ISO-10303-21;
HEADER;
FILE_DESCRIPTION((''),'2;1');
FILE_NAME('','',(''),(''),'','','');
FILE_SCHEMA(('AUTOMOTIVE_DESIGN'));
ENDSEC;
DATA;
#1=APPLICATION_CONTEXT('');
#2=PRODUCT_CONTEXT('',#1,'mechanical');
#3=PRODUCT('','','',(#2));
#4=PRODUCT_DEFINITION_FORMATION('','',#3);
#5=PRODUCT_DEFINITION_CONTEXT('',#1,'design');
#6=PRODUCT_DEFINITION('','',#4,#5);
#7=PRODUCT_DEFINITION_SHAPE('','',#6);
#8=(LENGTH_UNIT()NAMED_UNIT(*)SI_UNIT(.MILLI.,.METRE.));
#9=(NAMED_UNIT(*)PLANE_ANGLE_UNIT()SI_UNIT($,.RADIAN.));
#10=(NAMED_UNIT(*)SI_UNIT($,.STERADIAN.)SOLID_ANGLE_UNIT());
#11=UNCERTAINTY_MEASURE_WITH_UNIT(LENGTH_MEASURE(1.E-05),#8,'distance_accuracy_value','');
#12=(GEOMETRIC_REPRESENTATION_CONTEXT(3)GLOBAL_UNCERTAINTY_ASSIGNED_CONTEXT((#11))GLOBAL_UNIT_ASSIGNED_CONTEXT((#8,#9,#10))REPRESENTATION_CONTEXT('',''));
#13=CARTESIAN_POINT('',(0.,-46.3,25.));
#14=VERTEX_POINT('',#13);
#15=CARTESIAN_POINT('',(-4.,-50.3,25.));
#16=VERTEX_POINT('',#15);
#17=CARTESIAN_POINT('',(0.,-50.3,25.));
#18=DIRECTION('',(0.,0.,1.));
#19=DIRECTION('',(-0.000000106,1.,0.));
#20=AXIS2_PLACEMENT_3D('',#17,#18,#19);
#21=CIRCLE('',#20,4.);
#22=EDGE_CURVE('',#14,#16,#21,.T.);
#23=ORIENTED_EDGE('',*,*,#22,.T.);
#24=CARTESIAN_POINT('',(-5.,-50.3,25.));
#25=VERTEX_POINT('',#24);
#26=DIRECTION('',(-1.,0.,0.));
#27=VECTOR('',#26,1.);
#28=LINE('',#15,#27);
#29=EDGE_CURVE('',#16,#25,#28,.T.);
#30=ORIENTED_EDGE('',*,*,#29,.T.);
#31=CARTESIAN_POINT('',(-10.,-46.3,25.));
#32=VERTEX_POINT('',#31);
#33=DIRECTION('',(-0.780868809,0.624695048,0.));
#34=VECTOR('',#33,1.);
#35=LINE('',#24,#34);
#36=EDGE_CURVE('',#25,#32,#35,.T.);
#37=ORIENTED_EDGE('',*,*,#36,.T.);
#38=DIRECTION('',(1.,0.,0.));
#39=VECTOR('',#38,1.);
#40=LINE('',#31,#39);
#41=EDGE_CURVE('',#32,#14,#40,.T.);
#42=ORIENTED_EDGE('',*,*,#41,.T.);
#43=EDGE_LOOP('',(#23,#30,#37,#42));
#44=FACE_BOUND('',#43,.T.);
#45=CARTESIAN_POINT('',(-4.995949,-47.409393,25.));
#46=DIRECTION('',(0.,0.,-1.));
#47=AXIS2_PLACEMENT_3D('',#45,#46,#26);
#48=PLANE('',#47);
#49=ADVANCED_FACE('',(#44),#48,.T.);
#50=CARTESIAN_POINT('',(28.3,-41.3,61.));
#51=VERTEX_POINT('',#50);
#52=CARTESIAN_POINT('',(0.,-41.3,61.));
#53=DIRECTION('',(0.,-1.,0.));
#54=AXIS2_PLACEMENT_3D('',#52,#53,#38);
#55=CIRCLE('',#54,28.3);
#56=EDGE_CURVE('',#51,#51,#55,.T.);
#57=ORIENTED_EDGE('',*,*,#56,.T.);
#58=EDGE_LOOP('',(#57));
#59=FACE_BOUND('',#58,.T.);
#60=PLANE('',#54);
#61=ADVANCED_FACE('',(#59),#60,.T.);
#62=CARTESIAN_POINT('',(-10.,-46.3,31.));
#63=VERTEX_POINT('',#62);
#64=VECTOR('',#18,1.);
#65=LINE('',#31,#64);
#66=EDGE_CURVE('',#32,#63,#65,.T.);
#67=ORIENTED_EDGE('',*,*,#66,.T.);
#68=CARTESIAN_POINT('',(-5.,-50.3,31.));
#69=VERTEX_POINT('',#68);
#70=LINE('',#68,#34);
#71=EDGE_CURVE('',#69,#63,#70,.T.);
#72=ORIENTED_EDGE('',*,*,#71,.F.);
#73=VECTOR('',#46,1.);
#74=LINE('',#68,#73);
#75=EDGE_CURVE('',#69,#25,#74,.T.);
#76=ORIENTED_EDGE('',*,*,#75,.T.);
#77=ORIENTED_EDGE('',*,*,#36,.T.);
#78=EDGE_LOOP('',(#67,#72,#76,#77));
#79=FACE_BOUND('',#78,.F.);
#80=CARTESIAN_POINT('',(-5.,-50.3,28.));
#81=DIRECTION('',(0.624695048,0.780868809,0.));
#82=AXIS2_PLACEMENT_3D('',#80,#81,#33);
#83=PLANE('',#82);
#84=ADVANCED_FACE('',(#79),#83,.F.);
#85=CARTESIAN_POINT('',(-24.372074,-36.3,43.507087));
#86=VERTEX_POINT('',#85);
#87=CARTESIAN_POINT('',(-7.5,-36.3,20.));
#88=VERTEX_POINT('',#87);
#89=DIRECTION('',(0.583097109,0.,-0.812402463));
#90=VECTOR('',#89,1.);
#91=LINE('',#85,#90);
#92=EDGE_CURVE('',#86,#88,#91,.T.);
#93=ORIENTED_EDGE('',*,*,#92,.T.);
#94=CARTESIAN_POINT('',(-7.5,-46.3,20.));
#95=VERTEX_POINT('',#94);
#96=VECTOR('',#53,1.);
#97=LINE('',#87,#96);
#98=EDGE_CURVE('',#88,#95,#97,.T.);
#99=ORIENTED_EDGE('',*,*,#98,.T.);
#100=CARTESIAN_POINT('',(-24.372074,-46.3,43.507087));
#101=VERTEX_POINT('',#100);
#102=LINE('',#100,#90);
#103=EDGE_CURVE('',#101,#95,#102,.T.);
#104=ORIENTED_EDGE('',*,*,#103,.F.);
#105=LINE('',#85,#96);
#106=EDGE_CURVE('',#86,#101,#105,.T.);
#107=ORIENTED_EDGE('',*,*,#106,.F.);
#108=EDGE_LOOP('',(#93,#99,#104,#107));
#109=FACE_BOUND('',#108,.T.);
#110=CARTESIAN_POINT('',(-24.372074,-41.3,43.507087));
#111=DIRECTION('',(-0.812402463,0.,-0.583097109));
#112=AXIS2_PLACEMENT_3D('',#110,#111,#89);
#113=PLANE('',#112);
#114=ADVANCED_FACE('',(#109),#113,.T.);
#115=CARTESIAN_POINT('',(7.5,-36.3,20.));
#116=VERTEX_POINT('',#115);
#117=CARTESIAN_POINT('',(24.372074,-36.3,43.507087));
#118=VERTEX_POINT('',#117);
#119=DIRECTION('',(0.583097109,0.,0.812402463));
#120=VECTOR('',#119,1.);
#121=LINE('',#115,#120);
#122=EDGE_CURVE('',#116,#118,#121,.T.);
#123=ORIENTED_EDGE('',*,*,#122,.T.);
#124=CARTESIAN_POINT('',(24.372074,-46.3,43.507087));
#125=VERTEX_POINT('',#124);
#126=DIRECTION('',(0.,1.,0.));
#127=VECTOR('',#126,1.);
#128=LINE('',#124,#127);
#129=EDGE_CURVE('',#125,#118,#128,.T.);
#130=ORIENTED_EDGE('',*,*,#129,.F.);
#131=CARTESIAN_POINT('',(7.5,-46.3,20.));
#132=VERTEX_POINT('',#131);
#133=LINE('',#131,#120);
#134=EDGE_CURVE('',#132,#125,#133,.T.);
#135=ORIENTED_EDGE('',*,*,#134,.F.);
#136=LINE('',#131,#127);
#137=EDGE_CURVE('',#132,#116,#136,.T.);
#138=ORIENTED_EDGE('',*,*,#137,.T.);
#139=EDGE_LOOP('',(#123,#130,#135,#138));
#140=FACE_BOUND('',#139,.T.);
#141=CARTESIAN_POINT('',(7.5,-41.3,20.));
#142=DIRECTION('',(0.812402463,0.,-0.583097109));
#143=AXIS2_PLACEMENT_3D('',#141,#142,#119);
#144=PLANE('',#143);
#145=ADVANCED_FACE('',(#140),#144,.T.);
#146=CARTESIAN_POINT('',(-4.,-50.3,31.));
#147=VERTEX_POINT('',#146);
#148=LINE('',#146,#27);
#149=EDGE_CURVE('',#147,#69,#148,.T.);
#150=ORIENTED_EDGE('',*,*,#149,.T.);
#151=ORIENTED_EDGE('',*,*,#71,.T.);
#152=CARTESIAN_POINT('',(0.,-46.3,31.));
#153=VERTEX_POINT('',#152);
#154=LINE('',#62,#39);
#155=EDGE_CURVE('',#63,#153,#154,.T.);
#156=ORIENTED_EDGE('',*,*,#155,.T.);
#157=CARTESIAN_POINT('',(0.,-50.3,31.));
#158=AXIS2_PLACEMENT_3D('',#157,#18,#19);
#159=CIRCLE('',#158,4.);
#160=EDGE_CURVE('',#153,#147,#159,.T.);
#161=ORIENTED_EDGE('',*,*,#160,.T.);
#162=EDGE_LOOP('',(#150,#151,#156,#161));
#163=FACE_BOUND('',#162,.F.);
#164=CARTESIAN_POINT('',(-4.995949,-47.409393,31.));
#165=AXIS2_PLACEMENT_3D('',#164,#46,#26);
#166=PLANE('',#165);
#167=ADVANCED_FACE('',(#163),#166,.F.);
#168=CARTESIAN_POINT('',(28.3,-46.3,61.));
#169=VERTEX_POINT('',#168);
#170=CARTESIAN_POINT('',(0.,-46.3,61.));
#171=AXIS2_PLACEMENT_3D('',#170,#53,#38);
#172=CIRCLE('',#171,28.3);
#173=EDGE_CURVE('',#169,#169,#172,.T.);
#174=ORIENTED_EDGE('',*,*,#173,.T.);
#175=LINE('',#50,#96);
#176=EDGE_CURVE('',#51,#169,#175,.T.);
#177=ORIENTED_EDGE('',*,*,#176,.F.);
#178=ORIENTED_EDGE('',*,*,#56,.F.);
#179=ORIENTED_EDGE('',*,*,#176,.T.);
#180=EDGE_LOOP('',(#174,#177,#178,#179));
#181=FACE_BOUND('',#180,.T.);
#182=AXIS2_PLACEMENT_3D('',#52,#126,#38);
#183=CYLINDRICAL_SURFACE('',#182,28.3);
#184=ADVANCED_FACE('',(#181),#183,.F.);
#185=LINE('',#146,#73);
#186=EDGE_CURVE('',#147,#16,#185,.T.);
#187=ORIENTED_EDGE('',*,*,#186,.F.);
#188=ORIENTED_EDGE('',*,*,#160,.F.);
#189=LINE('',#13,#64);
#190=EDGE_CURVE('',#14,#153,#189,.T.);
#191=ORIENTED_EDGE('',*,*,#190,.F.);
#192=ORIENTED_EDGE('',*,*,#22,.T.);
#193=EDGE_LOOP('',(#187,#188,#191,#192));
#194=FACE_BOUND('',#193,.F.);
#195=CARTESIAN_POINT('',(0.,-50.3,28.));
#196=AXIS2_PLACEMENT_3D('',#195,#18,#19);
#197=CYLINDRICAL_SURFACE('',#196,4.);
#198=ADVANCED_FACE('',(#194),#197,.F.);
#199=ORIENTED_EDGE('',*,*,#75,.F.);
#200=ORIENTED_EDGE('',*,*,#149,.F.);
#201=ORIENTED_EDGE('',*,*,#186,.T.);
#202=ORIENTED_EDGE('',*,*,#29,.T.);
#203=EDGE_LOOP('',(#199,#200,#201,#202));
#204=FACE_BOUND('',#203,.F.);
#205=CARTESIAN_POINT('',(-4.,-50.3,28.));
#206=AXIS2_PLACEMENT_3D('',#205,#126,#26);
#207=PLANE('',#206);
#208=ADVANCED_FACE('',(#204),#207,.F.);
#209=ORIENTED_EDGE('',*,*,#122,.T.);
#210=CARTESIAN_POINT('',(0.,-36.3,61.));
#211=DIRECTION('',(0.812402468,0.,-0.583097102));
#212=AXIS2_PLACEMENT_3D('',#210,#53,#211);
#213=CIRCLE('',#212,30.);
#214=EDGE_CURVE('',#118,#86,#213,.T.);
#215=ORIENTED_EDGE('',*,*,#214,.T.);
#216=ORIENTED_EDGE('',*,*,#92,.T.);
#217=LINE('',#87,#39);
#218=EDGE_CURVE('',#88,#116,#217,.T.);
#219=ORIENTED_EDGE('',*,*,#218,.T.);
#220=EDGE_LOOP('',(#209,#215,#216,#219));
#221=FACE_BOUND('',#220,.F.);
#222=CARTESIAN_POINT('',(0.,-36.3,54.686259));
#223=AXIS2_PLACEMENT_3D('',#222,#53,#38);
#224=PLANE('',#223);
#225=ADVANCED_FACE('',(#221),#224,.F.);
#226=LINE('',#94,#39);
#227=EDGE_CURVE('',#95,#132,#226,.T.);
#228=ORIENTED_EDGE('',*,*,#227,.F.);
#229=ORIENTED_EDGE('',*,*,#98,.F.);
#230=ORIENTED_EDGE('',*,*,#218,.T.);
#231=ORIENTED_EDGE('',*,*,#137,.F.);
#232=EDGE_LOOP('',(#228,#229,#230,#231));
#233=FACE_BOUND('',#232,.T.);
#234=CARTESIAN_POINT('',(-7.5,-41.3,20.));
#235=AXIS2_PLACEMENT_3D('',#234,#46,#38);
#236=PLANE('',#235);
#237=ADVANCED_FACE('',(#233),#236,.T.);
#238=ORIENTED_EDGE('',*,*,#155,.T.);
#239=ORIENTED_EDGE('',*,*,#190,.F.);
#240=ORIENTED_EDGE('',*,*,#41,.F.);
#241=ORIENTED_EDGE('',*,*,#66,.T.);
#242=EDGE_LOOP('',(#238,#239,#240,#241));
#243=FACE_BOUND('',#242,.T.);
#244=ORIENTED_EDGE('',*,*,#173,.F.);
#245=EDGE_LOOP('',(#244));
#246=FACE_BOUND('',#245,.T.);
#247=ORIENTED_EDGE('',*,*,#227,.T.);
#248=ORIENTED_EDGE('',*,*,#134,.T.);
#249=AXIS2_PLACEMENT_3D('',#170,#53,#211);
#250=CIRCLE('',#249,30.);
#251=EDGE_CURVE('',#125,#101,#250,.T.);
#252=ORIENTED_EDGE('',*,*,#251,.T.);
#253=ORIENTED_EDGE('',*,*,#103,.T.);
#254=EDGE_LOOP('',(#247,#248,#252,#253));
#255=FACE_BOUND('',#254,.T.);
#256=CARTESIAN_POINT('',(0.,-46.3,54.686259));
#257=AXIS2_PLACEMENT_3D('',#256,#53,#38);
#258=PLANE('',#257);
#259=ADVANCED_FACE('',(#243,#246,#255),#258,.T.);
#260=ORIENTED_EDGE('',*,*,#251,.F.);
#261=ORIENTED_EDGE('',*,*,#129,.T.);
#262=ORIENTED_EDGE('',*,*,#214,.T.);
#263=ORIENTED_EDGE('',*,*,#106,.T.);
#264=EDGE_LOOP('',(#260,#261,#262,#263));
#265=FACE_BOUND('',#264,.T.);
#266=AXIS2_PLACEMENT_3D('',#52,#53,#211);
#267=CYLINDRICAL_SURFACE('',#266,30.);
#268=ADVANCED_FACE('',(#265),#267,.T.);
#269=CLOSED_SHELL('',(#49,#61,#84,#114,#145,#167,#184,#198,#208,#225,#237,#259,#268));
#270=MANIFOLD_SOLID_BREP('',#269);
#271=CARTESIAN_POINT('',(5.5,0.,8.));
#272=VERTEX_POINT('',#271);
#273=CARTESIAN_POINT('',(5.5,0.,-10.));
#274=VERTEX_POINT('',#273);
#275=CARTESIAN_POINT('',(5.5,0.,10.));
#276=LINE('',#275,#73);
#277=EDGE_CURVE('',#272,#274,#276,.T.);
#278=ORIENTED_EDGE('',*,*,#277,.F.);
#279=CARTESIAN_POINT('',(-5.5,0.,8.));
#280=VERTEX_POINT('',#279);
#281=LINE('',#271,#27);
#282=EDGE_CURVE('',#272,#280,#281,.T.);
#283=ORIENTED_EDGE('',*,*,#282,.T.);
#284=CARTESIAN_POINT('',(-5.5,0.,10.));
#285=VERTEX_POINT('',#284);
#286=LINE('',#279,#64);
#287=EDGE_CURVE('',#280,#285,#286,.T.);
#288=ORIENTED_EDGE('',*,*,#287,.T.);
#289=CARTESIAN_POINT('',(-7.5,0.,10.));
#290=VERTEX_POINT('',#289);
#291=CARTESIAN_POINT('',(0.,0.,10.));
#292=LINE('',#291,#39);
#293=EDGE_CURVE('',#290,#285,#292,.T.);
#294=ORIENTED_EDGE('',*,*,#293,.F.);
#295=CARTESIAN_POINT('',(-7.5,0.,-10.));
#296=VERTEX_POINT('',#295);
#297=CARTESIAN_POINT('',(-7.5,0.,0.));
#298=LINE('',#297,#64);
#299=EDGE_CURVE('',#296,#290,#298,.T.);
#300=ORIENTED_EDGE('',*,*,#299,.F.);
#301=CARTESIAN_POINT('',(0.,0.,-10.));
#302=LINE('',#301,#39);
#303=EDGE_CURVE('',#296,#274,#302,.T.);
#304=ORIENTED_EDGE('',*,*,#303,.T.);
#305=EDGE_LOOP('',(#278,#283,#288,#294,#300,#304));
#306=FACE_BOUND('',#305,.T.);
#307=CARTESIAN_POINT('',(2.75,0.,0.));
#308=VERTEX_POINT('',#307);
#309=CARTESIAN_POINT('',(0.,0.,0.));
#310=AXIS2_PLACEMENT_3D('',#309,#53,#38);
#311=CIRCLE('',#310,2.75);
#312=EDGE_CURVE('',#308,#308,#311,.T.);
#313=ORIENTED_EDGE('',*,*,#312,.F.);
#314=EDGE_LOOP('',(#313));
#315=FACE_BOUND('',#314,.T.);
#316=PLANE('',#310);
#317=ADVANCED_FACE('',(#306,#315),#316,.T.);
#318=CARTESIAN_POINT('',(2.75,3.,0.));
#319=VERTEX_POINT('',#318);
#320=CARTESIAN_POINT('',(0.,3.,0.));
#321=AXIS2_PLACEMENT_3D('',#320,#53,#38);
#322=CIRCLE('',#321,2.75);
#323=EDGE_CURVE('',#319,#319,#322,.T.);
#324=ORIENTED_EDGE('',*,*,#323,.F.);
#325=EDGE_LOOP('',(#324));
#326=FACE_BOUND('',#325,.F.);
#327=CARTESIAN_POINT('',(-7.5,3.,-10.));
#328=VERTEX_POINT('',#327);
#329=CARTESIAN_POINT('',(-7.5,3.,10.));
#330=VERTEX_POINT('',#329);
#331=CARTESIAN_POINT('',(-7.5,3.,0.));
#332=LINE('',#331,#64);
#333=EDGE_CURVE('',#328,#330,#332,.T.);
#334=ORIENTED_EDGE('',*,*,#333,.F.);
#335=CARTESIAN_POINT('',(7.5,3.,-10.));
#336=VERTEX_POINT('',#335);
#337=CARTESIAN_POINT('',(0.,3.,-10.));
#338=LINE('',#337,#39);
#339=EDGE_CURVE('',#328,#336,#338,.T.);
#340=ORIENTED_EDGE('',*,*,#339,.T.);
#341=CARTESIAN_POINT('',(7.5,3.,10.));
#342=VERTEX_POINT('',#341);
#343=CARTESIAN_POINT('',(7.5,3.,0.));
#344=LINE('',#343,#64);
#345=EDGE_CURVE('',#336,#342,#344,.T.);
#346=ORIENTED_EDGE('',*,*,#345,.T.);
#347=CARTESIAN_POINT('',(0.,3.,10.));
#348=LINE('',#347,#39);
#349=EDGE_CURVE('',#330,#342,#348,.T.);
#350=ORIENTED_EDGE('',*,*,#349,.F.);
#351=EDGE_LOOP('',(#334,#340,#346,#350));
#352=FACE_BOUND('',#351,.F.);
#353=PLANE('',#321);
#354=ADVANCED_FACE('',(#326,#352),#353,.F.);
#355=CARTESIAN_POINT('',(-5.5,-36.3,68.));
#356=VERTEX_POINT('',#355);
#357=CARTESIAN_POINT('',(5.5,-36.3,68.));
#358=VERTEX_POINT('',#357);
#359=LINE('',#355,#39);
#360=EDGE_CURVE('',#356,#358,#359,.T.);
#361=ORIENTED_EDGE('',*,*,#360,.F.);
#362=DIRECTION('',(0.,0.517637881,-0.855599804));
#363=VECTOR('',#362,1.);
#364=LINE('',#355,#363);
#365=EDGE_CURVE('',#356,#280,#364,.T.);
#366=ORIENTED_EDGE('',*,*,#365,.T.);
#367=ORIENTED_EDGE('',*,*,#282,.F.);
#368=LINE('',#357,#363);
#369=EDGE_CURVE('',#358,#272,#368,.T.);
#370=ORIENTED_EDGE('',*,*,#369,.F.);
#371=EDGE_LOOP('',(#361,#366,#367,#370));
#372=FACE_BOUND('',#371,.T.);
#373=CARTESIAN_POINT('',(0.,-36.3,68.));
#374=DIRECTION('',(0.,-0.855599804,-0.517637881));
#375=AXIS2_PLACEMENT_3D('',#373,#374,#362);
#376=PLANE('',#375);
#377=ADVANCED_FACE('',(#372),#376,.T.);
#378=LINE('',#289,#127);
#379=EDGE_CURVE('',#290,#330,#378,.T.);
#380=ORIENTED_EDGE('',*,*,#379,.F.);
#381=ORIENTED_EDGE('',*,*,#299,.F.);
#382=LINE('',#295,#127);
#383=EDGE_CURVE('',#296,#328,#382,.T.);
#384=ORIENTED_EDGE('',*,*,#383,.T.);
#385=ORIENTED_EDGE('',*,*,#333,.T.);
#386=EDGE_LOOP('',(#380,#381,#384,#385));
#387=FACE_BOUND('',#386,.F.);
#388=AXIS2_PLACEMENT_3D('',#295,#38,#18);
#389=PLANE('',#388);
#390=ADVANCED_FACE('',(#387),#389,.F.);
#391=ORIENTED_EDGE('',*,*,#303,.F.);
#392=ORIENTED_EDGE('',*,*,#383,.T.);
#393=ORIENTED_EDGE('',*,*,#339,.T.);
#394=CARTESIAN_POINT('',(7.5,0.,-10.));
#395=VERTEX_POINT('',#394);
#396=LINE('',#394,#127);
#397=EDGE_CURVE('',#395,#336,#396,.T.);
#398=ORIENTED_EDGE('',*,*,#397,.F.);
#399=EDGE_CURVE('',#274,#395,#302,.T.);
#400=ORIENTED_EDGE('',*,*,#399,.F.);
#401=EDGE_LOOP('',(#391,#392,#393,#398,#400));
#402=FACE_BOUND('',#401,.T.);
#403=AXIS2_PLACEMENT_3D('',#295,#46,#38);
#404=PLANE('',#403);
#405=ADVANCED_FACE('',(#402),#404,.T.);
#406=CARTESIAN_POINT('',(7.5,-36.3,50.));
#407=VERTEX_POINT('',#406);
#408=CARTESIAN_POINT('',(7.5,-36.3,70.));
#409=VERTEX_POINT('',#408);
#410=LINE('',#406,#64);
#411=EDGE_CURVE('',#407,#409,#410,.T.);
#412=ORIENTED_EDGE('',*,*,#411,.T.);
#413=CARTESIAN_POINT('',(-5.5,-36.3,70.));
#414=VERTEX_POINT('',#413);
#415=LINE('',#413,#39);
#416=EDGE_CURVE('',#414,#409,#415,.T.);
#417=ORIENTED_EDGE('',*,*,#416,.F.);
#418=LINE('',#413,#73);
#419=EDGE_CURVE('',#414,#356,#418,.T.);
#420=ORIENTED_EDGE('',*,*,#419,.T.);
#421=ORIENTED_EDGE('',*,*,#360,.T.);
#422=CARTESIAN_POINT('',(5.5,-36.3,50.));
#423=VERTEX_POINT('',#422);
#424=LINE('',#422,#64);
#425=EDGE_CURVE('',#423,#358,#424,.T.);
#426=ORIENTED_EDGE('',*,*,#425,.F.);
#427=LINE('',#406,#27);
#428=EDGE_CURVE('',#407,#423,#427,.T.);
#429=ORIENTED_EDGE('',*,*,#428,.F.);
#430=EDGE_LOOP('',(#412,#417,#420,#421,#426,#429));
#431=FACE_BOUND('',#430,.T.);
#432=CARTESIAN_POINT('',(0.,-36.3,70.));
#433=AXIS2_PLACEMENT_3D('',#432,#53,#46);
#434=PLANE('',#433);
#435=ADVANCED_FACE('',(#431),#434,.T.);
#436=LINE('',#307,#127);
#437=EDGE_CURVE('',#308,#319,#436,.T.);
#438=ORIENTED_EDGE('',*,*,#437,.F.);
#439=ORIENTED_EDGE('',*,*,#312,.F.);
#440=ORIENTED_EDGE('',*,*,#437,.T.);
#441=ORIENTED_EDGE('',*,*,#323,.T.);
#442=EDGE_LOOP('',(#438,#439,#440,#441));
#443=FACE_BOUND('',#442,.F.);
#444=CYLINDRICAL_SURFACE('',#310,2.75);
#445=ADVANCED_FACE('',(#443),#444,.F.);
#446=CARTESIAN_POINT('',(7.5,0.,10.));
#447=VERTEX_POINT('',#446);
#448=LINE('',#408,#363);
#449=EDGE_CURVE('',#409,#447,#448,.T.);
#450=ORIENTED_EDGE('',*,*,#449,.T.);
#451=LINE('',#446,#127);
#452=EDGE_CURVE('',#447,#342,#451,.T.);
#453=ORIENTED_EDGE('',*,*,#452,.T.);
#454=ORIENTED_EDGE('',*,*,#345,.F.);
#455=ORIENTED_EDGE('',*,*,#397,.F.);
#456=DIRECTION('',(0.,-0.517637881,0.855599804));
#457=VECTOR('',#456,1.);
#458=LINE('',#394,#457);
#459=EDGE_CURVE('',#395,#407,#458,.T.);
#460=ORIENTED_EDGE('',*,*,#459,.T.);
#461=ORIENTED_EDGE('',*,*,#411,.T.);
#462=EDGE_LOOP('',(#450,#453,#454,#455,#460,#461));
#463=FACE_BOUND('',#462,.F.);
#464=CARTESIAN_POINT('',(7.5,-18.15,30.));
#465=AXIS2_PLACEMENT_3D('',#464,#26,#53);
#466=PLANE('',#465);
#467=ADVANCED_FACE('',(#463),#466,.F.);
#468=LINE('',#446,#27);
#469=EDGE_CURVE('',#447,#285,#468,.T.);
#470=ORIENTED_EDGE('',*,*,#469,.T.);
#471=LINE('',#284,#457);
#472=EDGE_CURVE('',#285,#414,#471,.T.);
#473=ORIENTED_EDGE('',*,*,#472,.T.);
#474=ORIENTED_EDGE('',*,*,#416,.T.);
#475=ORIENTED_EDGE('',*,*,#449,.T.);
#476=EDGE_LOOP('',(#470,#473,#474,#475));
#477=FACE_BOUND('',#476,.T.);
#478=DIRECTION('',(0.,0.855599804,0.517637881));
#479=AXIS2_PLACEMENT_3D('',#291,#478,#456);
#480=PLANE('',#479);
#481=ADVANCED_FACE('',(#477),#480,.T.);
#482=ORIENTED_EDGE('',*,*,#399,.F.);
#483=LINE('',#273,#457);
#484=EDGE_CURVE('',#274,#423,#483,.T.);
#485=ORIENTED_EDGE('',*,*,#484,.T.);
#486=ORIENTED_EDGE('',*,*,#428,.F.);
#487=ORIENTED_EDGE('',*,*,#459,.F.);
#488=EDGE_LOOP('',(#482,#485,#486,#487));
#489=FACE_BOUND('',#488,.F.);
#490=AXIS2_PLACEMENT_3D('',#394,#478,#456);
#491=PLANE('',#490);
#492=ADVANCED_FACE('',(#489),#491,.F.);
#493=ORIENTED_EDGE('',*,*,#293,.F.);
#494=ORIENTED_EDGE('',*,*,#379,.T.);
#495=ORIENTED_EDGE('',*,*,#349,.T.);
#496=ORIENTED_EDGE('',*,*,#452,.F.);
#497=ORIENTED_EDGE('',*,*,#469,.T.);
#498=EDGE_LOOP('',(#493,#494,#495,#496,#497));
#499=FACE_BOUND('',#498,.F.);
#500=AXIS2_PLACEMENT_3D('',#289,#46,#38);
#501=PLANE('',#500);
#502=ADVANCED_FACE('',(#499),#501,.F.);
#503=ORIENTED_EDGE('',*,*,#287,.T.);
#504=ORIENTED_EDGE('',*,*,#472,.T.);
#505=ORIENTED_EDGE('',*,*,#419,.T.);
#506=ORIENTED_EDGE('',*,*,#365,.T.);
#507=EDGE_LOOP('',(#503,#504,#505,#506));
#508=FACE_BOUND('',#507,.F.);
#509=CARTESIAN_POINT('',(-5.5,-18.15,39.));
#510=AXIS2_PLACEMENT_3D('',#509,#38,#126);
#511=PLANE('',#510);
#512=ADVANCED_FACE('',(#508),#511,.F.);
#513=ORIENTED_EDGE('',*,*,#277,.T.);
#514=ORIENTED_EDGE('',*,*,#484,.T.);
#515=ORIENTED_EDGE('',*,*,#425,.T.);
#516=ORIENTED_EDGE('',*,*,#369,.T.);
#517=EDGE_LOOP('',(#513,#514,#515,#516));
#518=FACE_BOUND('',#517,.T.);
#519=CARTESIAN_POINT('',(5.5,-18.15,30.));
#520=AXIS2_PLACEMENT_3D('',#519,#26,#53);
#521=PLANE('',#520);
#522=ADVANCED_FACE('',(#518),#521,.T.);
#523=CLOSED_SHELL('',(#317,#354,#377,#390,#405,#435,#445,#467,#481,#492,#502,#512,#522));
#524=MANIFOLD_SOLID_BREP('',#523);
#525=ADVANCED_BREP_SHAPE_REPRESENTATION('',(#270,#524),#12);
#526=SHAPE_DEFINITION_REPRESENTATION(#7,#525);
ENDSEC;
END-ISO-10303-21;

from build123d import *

# Parameters (mm, degrees)
PAD007_DEPTH = 5
SKETCH004_R  = 28.3
POCKET_DEPTH = 5
PAD008_DEPTH = 3
SKETCH_W     = 15
SKETCH_H     = 20
SKETCH_R     = 2.75
PAD_DEPTH    = 3
PAD005_DEPTH = 2
PAD006_DEPTH = 5.5


with BuildPart() as body:
    # Sketch003 (on DatumPlane) → Pad007 (new body, symmetric)
    with BuildSketch(Plane.XZ.offset(41.3)):
        with BuildLine():
            ThreePointArc((24.372074, 43.507087), (0, 91), (-24.372074, 43.507087))
            Line((-24.372074, 43.507087), (-7.5, 20))
            Line((-7.5, 20), (7.5, 20))
            Line((7.5, 20), (24.372074, 43.507087))
        make_face()
    extrude(amount=PAD007_DEPTH, both=True)

    # Sketch004 (on DatumPlane) → Pocket (cut)
    with BuildSketch(Plane.XZ.offset(41.3)):
        with Locations((0, 61)):
            Circle(SKETCH004_R)
    extrude(amount=POCKET_DEPTH, mode=Mode.SUBTRACT)

    # Sketch005 (on DatumPlane) → Pad008 (join, symmetric)
    with BuildSketch(Plane.XY.offset(28)):
        with BuildLine():
            ThreePointArc((0, -46.3), (-2.828427, -47.471573), (-4, -50.3))
            Line((-4, -50.3), (-5, -50.3))
            Line((-5, -50.3), (-10, -46.3))
            Line((-10, -46.3), (0, -46.3))
        make_face()
    extrude(amount=PAD008_DEPTH, both=True)


with BuildPart() as body001:
    # Sketch → Pad (new body)
    with BuildSketch(Plane.XZ):
        Rectangle(SKETCH_W, SKETCH_H)
        Circle(SKETCH_R, mode=Mode.SUBTRACT)
    extrude(amount=-PAD_DEPTH)

    # Sketch001 (on DatumPlane) → Pad005 (join)
    with BuildSketch(Plane.YZ.offset(7.5)):
        Polygon((0, -10), (-36.3, 50), (-36.3, 70), (0, 10), align=None)
    extrude(amount=-PAD005_DEPTH)

    # Sketch002 → Pad006 (join, symmetric)
    with BuildSketch(Plane.YZ):
        Polygon((0, 10), (-36.3, 70), (-36.3, 68), (0, 8), align=None)
    extrude(amount=PAD006_DEPTH, both=True)


solid = Compound([body.part, body001.part])
